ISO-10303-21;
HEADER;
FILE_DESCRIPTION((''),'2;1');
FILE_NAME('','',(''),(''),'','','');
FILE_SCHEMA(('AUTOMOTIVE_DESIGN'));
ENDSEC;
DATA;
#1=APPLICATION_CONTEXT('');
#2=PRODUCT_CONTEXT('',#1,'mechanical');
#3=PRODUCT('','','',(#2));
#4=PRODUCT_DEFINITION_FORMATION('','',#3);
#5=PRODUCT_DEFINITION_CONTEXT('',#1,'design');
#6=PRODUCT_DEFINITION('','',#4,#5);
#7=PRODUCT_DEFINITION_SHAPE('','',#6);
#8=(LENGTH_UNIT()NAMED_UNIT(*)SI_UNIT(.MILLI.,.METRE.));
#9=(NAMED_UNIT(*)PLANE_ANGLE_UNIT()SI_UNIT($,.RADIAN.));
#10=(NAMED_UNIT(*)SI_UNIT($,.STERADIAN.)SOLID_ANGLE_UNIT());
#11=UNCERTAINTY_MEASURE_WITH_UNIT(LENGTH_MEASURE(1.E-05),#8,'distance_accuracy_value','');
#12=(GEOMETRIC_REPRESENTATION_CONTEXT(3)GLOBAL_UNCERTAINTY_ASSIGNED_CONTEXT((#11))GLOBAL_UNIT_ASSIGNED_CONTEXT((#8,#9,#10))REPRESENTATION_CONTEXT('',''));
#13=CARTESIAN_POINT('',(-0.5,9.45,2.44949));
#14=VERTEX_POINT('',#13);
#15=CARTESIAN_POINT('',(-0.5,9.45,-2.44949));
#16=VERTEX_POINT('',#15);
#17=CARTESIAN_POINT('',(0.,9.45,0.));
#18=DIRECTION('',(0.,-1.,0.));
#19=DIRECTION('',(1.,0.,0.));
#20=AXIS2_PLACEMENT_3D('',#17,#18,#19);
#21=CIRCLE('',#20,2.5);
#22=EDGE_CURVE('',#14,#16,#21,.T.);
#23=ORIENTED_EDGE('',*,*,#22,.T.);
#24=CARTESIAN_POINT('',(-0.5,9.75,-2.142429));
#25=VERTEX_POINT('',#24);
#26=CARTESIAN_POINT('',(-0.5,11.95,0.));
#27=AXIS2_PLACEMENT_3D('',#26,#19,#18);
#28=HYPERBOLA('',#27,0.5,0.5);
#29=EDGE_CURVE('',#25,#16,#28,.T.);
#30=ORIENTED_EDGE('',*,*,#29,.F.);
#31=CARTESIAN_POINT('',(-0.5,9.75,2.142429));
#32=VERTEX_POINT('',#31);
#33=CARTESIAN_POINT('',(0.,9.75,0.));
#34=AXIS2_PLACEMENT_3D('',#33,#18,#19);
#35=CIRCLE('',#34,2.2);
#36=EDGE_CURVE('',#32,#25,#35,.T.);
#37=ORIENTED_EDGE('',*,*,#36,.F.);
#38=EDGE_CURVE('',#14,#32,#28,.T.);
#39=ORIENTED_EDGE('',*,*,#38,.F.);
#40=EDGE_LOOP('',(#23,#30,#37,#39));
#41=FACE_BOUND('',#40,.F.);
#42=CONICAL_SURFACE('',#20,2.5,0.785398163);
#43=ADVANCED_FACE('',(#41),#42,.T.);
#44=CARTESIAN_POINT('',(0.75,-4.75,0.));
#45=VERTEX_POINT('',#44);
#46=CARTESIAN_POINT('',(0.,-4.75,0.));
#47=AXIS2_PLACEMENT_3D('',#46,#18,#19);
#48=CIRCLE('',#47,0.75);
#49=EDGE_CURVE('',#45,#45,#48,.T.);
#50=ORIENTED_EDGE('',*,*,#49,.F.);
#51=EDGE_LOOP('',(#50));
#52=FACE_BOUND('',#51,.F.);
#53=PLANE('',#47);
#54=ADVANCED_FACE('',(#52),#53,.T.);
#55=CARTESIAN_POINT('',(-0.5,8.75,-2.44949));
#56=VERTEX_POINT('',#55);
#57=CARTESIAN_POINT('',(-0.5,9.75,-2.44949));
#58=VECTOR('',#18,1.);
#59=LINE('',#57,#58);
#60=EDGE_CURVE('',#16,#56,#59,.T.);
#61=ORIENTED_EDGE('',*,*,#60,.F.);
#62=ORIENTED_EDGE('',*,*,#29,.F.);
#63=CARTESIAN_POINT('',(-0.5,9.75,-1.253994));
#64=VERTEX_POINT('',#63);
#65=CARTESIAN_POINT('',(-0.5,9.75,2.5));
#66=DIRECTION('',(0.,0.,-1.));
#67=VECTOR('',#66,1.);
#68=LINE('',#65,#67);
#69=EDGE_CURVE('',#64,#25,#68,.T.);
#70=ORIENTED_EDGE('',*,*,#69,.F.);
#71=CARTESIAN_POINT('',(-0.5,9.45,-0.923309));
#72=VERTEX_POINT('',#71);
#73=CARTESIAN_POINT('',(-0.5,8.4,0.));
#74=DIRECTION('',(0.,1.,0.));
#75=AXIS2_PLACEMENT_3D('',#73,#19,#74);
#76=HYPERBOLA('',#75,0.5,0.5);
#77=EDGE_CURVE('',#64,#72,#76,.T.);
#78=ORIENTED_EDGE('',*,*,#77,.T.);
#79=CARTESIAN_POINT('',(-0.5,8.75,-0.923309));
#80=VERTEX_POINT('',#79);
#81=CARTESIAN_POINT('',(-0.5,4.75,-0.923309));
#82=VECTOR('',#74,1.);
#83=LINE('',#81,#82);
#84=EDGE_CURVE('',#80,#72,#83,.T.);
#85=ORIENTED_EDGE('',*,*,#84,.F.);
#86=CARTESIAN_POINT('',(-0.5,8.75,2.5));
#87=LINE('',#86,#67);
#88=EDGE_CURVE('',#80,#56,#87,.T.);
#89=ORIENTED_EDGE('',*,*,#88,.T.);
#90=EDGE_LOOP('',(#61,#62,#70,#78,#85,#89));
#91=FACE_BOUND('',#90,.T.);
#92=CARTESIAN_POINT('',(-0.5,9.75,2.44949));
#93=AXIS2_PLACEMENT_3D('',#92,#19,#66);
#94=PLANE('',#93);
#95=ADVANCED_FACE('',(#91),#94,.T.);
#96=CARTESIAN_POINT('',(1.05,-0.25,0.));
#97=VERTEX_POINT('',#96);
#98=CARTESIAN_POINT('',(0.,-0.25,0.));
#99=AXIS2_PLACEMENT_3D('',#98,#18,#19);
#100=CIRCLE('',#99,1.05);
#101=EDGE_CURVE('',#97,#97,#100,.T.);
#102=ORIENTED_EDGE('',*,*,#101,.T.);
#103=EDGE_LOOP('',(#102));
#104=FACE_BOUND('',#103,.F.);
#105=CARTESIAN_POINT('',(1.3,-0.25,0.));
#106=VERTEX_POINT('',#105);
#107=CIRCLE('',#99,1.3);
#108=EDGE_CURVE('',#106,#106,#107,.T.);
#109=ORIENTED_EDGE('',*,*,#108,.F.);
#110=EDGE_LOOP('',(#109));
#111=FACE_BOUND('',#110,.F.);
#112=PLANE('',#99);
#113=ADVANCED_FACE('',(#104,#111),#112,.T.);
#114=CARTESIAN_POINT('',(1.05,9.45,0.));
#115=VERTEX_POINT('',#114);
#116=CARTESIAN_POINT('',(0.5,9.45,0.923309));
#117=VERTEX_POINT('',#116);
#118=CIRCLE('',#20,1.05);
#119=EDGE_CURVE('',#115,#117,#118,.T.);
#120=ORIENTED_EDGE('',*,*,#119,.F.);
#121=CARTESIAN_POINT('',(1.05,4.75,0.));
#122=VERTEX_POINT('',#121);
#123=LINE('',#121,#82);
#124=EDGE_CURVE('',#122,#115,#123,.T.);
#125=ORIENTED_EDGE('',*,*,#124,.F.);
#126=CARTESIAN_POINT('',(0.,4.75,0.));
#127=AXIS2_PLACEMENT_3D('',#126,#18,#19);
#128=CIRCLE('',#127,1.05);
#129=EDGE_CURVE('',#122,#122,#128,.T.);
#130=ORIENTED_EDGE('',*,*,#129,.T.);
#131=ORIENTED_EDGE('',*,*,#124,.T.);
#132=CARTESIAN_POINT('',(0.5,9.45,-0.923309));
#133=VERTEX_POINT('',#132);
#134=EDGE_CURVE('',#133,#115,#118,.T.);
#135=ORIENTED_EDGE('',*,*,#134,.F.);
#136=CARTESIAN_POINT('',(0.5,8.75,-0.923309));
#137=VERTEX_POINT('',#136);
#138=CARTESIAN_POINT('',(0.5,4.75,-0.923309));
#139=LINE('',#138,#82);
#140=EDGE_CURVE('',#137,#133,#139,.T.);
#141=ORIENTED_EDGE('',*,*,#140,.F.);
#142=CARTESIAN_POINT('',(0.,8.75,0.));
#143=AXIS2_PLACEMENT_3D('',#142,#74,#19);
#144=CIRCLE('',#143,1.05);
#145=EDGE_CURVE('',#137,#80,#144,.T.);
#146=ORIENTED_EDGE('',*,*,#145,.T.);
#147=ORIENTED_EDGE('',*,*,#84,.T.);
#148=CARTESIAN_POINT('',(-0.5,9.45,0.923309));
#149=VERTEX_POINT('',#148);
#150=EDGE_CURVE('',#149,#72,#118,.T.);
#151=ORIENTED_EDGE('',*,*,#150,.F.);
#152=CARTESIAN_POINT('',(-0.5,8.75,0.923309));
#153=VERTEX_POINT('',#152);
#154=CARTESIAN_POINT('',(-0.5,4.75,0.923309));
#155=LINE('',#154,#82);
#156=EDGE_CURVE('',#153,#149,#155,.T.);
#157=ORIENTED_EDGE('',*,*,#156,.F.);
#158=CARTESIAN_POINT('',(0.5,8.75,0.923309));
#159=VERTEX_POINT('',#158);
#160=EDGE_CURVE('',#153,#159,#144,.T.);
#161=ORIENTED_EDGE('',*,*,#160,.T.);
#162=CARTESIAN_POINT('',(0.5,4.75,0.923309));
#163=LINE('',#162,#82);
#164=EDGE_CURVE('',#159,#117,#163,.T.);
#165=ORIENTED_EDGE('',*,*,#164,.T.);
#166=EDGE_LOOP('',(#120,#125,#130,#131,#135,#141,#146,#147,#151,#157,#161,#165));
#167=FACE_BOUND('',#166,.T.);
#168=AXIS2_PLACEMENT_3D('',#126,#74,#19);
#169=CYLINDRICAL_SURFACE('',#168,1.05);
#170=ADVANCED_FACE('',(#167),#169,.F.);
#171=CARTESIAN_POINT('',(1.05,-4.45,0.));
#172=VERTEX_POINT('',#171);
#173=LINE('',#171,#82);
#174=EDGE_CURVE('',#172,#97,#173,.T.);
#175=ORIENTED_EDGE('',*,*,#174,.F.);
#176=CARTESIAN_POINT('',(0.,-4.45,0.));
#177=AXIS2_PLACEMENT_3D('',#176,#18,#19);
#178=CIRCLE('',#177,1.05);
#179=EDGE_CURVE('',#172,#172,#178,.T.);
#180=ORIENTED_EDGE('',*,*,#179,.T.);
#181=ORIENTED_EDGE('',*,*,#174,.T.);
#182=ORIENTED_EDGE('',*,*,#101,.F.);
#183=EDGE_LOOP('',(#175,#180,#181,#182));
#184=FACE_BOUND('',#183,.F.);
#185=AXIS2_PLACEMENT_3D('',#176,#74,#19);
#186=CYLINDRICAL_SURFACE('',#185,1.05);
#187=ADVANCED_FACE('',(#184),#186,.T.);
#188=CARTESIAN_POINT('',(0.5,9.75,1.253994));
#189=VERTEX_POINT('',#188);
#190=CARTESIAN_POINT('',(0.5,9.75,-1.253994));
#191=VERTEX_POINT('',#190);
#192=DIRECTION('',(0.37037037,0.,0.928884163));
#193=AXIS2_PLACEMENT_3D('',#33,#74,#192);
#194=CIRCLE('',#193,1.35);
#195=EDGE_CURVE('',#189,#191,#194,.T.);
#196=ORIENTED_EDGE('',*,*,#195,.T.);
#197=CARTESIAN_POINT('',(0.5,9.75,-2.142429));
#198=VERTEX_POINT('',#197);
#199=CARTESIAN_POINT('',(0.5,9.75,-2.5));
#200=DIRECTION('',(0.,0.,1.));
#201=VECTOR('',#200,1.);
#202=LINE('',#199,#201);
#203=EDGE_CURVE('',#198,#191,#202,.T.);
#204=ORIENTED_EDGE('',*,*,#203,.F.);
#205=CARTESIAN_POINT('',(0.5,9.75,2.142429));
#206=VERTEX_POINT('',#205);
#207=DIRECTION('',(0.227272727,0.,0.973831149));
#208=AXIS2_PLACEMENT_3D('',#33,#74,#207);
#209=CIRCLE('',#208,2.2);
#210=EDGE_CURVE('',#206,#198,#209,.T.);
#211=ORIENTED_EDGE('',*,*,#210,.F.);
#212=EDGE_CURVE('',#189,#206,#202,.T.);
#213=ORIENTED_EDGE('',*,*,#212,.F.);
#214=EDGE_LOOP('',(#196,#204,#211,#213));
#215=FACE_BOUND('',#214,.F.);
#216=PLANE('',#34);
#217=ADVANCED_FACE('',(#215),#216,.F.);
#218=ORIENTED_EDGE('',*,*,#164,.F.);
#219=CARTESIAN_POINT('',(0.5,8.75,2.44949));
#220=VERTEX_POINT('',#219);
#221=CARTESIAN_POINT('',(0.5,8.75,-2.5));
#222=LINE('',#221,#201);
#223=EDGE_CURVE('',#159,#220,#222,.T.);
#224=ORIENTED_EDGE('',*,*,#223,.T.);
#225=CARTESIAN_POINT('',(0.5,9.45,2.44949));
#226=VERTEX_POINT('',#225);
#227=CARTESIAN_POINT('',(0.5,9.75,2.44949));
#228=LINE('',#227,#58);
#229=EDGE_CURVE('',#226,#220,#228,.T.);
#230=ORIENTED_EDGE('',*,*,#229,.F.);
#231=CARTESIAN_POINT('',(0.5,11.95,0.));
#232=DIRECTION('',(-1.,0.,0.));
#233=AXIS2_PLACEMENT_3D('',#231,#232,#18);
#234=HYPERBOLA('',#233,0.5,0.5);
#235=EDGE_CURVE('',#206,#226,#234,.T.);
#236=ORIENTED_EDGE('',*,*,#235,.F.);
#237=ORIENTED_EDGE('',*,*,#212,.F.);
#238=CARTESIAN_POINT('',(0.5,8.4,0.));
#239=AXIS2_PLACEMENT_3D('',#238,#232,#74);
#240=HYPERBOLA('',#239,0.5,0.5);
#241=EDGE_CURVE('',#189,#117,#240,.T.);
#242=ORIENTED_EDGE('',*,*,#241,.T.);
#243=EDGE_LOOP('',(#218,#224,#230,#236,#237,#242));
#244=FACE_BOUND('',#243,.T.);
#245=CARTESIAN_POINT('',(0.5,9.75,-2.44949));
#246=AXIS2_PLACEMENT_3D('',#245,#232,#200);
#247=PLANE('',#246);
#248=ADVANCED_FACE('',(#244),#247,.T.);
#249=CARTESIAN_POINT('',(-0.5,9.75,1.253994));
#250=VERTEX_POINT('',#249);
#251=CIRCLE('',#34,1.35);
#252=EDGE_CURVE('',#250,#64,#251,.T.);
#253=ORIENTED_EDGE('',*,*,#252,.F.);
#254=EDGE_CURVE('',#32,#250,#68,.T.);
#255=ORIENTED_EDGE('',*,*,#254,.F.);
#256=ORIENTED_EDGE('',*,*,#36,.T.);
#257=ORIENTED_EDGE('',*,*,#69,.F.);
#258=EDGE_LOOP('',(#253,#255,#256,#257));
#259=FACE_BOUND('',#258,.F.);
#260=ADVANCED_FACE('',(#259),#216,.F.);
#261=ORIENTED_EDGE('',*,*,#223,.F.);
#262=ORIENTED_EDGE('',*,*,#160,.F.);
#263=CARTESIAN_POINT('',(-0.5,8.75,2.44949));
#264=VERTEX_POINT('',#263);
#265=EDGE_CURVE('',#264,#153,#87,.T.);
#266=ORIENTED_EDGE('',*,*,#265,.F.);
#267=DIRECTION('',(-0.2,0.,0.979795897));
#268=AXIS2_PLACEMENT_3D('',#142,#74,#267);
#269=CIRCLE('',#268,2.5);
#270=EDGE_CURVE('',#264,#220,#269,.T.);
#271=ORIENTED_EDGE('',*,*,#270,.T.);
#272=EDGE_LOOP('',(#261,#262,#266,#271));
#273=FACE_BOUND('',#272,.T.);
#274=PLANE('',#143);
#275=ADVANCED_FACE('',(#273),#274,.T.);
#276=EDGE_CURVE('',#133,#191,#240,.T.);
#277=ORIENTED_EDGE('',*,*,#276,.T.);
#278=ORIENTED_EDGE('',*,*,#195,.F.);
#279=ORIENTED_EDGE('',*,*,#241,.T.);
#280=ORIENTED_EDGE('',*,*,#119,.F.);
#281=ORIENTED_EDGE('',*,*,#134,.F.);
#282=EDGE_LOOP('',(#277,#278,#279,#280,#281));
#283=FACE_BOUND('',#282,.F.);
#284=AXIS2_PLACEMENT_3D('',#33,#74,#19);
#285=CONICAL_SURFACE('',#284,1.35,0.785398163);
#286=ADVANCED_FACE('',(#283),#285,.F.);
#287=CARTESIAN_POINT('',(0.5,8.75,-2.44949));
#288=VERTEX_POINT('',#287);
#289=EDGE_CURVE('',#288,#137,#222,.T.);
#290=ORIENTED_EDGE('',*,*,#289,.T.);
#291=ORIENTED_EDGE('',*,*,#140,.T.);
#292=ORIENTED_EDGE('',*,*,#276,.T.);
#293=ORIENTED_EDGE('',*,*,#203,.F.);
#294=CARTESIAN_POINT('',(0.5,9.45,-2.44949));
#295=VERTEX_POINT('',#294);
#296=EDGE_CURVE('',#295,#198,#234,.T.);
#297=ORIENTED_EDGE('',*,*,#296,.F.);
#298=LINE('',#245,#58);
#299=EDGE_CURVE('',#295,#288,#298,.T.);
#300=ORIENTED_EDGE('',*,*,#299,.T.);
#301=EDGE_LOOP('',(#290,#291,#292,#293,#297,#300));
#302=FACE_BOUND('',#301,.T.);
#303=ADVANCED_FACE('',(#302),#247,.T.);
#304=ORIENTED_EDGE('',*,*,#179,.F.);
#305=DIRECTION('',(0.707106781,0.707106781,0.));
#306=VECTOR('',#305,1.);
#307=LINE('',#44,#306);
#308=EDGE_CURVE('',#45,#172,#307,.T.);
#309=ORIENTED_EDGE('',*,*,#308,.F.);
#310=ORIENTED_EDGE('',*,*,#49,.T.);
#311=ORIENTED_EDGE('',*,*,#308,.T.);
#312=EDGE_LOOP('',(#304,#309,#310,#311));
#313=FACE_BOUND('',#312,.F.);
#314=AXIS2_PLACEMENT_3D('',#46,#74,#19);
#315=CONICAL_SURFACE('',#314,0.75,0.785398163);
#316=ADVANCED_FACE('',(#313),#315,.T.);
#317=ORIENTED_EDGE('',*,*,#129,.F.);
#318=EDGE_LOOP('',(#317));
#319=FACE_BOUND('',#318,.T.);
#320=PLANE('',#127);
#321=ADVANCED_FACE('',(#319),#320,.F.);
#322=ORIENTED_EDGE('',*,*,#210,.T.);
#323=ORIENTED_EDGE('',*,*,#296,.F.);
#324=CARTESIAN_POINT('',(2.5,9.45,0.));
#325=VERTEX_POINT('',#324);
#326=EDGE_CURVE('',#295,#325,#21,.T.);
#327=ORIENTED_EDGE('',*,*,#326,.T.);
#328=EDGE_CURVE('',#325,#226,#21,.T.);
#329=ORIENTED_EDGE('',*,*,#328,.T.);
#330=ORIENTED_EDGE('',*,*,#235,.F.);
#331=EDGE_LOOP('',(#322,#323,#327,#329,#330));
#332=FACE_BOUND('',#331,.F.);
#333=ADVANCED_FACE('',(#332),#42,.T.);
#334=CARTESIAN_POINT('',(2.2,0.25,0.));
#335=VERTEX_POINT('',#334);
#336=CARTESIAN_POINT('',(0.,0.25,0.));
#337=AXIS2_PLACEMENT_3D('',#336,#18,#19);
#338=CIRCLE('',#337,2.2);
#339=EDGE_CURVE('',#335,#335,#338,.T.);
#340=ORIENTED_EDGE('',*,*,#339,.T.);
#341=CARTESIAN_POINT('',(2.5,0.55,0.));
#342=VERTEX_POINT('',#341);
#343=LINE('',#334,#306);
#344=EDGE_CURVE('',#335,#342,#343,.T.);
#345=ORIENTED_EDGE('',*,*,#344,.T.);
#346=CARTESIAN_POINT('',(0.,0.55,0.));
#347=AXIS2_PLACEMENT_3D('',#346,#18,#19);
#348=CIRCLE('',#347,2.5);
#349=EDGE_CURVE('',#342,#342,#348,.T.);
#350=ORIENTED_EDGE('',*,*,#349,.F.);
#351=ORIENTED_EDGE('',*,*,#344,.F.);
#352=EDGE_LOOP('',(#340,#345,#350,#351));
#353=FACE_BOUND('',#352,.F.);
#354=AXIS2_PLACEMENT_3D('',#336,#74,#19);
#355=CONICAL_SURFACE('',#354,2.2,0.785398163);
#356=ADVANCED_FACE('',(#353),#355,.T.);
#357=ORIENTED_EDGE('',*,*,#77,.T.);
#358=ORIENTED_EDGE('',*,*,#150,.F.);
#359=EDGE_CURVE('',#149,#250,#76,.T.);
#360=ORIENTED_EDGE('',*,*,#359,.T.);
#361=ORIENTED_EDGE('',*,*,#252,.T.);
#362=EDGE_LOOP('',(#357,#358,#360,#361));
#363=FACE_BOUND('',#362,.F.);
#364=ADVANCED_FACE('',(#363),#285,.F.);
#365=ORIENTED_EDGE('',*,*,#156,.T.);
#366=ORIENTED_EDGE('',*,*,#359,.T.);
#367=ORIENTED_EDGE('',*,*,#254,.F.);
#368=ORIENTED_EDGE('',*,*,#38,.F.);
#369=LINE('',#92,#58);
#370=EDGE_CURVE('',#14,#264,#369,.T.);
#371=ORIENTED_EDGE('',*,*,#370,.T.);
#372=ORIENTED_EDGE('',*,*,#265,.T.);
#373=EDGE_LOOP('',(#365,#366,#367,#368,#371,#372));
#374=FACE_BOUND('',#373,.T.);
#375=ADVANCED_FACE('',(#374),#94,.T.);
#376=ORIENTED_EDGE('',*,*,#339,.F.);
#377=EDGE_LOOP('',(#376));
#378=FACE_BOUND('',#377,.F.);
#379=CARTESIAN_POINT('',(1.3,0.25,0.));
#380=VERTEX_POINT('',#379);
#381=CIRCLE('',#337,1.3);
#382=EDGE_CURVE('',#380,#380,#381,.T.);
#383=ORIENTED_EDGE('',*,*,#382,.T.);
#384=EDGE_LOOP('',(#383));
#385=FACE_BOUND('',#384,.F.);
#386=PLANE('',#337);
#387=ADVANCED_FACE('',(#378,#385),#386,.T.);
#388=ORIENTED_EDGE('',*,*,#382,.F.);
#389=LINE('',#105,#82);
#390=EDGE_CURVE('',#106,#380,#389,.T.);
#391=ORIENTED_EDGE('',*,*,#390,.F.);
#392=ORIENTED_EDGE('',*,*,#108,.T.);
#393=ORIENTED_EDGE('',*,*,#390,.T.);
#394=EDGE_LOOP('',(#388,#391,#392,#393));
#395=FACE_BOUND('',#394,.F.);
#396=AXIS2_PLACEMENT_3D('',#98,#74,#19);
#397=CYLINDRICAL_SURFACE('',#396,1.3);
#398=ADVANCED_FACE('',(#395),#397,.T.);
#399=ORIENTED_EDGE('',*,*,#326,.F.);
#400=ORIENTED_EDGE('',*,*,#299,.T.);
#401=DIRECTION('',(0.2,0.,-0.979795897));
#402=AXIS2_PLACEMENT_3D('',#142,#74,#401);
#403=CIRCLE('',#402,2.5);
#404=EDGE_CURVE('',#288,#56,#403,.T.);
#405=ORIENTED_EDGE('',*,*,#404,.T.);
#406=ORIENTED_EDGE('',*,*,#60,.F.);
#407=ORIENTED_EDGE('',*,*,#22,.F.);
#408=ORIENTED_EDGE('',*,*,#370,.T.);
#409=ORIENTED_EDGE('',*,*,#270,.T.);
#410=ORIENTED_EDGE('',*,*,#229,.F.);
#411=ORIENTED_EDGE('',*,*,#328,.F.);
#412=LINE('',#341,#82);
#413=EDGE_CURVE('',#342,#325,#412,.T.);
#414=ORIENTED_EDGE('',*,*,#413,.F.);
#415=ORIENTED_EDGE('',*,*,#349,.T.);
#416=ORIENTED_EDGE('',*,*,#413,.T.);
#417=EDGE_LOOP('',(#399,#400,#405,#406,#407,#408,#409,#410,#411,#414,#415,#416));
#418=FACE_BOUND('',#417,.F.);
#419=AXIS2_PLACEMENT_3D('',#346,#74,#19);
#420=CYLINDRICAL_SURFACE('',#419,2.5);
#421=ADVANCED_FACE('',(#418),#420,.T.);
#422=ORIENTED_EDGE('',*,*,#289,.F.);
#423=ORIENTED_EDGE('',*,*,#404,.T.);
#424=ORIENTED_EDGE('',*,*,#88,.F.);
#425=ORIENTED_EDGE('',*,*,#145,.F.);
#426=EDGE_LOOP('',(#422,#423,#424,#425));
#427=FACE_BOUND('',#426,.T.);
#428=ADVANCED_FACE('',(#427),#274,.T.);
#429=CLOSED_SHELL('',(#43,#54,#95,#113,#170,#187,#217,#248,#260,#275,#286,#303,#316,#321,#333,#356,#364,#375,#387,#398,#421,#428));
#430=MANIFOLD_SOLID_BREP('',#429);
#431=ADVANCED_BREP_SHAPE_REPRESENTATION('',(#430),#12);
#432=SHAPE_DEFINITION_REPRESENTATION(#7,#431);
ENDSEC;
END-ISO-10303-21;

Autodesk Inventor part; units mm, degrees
ref_plane "YZ Plane" through (0, 0, 0) normal (1, 0, 0) x (0, 1, 0)
ref_plane "XZ Plane" through (0, 0, 0) normal (0, 1, 0) x (-1, 0, 0)
ref_plane "XY Plane" through (0, 0, 0) normal (0, 0, 1) x (1, 0, 0)
sketch "スケッチ1" plane through (0, 0, 0) normal (0, 0, 1) x (1, 0, 0)
  line L0 (0, -4.75) -> (0.75, -4.75)
  line L1 (0.75, -4.75) -> (1.05, -4.45)
  line L2 (1.05, -4.45) -> (1.05, -0.25)
  line L3 (1.05, -0.25) -> (1.3, -0.25)
  line L4 (1.3, -0.25) -> (1.3, 0.25)
  line L5 (1.3, 0.25) -> (2.2, 0.25)
  line L6 (2.5, 9.45) -> (2.2, 9.75)
  line L7 (2.2, 9.75) -> (1.35, 9.75)
  line L8 (1.35, 9.75) -> (1.05, 9.45)
  line L9 (0, 7.4044) -> (0, -7.4044) construction
  line L10 (0, -4.75) -> (0, 4.75)
  line L11 (0, 4.75) -> (1.05, 4.75)
  line L12 (1.05, 4.75) -> (1.05, 9.45)
  line L13 (2.2, 0.25) -> (2.5, 0.55)
  line L14 (2.5, 0.55) -> (2.5, 9.45)
  point P0 (0, 0)
  point P1 (0, 0)
  point P2 (0, 0)
  dimension "d0" = 2.1
  dimension "d1" = 5
  dimension "d2" = 0.3
  dimension "d3" = 0.3
  dimension "d4" = 2.6
  dimension "d5" = 0.5
  dimension "d6" = 9.5
  dimension "d7" = 0.3
  dimension "d8" = 2.1
  dimension "d9" = 5
  dimension "d10" = 0.3
  dimension "d11" = 0.3
  dimension "d12" = 0.3
  dimension "d13" = 0.3
  dimension "d14" = 5
revolve "回転1" add sketch "スケッチ1" angle 360 about axis through (0, 7.4044, 0) along (0, -1, 0)
sketch "スケッチ2" plane through (0, 9.75, 0) normal (0, 1, 0) x (1, 0, 0)
  line L0 (-0.5, 2.5) -> (0.5, 2.5)
  line L1 (0.5, 2.5) -> (0.5, -2.5)
  line L2 (0.5, -2.5) -> (-0.5, -2.5)
  line L3 (-0.5, -2.5) -> (-0.5, 2.5)
  line L4 (-0.5, 2.5) -> (0.5, -2.5) construction
  line L5 (0.5, 2.5) -> (-0.5, -2.5) construction
  circle A0 centre (0, 0) radius 2.5 projected
  point P0 (0, 0)
  point P1 (0.5, 2.4495)
  point P2 (-0.5, 2.4495)
  point P3 (-0.5, -2.4495)
  point P4 (0.5, -2.4495)
  dimension "d16" = 1
extrude "押し出し1" cut sketch "スケッチ2" against normal blind 1 contours A0 L1 L3
equation "\"d3\" = d2"
equation "\"d10\" = d7"
equation "\"d11\" = d7"
equation "\"d12\" = d11"
equation "\"d13\" = d12"
properties part number "BRU-2609_5S" material "ステンレス鋼 AISI 304"
